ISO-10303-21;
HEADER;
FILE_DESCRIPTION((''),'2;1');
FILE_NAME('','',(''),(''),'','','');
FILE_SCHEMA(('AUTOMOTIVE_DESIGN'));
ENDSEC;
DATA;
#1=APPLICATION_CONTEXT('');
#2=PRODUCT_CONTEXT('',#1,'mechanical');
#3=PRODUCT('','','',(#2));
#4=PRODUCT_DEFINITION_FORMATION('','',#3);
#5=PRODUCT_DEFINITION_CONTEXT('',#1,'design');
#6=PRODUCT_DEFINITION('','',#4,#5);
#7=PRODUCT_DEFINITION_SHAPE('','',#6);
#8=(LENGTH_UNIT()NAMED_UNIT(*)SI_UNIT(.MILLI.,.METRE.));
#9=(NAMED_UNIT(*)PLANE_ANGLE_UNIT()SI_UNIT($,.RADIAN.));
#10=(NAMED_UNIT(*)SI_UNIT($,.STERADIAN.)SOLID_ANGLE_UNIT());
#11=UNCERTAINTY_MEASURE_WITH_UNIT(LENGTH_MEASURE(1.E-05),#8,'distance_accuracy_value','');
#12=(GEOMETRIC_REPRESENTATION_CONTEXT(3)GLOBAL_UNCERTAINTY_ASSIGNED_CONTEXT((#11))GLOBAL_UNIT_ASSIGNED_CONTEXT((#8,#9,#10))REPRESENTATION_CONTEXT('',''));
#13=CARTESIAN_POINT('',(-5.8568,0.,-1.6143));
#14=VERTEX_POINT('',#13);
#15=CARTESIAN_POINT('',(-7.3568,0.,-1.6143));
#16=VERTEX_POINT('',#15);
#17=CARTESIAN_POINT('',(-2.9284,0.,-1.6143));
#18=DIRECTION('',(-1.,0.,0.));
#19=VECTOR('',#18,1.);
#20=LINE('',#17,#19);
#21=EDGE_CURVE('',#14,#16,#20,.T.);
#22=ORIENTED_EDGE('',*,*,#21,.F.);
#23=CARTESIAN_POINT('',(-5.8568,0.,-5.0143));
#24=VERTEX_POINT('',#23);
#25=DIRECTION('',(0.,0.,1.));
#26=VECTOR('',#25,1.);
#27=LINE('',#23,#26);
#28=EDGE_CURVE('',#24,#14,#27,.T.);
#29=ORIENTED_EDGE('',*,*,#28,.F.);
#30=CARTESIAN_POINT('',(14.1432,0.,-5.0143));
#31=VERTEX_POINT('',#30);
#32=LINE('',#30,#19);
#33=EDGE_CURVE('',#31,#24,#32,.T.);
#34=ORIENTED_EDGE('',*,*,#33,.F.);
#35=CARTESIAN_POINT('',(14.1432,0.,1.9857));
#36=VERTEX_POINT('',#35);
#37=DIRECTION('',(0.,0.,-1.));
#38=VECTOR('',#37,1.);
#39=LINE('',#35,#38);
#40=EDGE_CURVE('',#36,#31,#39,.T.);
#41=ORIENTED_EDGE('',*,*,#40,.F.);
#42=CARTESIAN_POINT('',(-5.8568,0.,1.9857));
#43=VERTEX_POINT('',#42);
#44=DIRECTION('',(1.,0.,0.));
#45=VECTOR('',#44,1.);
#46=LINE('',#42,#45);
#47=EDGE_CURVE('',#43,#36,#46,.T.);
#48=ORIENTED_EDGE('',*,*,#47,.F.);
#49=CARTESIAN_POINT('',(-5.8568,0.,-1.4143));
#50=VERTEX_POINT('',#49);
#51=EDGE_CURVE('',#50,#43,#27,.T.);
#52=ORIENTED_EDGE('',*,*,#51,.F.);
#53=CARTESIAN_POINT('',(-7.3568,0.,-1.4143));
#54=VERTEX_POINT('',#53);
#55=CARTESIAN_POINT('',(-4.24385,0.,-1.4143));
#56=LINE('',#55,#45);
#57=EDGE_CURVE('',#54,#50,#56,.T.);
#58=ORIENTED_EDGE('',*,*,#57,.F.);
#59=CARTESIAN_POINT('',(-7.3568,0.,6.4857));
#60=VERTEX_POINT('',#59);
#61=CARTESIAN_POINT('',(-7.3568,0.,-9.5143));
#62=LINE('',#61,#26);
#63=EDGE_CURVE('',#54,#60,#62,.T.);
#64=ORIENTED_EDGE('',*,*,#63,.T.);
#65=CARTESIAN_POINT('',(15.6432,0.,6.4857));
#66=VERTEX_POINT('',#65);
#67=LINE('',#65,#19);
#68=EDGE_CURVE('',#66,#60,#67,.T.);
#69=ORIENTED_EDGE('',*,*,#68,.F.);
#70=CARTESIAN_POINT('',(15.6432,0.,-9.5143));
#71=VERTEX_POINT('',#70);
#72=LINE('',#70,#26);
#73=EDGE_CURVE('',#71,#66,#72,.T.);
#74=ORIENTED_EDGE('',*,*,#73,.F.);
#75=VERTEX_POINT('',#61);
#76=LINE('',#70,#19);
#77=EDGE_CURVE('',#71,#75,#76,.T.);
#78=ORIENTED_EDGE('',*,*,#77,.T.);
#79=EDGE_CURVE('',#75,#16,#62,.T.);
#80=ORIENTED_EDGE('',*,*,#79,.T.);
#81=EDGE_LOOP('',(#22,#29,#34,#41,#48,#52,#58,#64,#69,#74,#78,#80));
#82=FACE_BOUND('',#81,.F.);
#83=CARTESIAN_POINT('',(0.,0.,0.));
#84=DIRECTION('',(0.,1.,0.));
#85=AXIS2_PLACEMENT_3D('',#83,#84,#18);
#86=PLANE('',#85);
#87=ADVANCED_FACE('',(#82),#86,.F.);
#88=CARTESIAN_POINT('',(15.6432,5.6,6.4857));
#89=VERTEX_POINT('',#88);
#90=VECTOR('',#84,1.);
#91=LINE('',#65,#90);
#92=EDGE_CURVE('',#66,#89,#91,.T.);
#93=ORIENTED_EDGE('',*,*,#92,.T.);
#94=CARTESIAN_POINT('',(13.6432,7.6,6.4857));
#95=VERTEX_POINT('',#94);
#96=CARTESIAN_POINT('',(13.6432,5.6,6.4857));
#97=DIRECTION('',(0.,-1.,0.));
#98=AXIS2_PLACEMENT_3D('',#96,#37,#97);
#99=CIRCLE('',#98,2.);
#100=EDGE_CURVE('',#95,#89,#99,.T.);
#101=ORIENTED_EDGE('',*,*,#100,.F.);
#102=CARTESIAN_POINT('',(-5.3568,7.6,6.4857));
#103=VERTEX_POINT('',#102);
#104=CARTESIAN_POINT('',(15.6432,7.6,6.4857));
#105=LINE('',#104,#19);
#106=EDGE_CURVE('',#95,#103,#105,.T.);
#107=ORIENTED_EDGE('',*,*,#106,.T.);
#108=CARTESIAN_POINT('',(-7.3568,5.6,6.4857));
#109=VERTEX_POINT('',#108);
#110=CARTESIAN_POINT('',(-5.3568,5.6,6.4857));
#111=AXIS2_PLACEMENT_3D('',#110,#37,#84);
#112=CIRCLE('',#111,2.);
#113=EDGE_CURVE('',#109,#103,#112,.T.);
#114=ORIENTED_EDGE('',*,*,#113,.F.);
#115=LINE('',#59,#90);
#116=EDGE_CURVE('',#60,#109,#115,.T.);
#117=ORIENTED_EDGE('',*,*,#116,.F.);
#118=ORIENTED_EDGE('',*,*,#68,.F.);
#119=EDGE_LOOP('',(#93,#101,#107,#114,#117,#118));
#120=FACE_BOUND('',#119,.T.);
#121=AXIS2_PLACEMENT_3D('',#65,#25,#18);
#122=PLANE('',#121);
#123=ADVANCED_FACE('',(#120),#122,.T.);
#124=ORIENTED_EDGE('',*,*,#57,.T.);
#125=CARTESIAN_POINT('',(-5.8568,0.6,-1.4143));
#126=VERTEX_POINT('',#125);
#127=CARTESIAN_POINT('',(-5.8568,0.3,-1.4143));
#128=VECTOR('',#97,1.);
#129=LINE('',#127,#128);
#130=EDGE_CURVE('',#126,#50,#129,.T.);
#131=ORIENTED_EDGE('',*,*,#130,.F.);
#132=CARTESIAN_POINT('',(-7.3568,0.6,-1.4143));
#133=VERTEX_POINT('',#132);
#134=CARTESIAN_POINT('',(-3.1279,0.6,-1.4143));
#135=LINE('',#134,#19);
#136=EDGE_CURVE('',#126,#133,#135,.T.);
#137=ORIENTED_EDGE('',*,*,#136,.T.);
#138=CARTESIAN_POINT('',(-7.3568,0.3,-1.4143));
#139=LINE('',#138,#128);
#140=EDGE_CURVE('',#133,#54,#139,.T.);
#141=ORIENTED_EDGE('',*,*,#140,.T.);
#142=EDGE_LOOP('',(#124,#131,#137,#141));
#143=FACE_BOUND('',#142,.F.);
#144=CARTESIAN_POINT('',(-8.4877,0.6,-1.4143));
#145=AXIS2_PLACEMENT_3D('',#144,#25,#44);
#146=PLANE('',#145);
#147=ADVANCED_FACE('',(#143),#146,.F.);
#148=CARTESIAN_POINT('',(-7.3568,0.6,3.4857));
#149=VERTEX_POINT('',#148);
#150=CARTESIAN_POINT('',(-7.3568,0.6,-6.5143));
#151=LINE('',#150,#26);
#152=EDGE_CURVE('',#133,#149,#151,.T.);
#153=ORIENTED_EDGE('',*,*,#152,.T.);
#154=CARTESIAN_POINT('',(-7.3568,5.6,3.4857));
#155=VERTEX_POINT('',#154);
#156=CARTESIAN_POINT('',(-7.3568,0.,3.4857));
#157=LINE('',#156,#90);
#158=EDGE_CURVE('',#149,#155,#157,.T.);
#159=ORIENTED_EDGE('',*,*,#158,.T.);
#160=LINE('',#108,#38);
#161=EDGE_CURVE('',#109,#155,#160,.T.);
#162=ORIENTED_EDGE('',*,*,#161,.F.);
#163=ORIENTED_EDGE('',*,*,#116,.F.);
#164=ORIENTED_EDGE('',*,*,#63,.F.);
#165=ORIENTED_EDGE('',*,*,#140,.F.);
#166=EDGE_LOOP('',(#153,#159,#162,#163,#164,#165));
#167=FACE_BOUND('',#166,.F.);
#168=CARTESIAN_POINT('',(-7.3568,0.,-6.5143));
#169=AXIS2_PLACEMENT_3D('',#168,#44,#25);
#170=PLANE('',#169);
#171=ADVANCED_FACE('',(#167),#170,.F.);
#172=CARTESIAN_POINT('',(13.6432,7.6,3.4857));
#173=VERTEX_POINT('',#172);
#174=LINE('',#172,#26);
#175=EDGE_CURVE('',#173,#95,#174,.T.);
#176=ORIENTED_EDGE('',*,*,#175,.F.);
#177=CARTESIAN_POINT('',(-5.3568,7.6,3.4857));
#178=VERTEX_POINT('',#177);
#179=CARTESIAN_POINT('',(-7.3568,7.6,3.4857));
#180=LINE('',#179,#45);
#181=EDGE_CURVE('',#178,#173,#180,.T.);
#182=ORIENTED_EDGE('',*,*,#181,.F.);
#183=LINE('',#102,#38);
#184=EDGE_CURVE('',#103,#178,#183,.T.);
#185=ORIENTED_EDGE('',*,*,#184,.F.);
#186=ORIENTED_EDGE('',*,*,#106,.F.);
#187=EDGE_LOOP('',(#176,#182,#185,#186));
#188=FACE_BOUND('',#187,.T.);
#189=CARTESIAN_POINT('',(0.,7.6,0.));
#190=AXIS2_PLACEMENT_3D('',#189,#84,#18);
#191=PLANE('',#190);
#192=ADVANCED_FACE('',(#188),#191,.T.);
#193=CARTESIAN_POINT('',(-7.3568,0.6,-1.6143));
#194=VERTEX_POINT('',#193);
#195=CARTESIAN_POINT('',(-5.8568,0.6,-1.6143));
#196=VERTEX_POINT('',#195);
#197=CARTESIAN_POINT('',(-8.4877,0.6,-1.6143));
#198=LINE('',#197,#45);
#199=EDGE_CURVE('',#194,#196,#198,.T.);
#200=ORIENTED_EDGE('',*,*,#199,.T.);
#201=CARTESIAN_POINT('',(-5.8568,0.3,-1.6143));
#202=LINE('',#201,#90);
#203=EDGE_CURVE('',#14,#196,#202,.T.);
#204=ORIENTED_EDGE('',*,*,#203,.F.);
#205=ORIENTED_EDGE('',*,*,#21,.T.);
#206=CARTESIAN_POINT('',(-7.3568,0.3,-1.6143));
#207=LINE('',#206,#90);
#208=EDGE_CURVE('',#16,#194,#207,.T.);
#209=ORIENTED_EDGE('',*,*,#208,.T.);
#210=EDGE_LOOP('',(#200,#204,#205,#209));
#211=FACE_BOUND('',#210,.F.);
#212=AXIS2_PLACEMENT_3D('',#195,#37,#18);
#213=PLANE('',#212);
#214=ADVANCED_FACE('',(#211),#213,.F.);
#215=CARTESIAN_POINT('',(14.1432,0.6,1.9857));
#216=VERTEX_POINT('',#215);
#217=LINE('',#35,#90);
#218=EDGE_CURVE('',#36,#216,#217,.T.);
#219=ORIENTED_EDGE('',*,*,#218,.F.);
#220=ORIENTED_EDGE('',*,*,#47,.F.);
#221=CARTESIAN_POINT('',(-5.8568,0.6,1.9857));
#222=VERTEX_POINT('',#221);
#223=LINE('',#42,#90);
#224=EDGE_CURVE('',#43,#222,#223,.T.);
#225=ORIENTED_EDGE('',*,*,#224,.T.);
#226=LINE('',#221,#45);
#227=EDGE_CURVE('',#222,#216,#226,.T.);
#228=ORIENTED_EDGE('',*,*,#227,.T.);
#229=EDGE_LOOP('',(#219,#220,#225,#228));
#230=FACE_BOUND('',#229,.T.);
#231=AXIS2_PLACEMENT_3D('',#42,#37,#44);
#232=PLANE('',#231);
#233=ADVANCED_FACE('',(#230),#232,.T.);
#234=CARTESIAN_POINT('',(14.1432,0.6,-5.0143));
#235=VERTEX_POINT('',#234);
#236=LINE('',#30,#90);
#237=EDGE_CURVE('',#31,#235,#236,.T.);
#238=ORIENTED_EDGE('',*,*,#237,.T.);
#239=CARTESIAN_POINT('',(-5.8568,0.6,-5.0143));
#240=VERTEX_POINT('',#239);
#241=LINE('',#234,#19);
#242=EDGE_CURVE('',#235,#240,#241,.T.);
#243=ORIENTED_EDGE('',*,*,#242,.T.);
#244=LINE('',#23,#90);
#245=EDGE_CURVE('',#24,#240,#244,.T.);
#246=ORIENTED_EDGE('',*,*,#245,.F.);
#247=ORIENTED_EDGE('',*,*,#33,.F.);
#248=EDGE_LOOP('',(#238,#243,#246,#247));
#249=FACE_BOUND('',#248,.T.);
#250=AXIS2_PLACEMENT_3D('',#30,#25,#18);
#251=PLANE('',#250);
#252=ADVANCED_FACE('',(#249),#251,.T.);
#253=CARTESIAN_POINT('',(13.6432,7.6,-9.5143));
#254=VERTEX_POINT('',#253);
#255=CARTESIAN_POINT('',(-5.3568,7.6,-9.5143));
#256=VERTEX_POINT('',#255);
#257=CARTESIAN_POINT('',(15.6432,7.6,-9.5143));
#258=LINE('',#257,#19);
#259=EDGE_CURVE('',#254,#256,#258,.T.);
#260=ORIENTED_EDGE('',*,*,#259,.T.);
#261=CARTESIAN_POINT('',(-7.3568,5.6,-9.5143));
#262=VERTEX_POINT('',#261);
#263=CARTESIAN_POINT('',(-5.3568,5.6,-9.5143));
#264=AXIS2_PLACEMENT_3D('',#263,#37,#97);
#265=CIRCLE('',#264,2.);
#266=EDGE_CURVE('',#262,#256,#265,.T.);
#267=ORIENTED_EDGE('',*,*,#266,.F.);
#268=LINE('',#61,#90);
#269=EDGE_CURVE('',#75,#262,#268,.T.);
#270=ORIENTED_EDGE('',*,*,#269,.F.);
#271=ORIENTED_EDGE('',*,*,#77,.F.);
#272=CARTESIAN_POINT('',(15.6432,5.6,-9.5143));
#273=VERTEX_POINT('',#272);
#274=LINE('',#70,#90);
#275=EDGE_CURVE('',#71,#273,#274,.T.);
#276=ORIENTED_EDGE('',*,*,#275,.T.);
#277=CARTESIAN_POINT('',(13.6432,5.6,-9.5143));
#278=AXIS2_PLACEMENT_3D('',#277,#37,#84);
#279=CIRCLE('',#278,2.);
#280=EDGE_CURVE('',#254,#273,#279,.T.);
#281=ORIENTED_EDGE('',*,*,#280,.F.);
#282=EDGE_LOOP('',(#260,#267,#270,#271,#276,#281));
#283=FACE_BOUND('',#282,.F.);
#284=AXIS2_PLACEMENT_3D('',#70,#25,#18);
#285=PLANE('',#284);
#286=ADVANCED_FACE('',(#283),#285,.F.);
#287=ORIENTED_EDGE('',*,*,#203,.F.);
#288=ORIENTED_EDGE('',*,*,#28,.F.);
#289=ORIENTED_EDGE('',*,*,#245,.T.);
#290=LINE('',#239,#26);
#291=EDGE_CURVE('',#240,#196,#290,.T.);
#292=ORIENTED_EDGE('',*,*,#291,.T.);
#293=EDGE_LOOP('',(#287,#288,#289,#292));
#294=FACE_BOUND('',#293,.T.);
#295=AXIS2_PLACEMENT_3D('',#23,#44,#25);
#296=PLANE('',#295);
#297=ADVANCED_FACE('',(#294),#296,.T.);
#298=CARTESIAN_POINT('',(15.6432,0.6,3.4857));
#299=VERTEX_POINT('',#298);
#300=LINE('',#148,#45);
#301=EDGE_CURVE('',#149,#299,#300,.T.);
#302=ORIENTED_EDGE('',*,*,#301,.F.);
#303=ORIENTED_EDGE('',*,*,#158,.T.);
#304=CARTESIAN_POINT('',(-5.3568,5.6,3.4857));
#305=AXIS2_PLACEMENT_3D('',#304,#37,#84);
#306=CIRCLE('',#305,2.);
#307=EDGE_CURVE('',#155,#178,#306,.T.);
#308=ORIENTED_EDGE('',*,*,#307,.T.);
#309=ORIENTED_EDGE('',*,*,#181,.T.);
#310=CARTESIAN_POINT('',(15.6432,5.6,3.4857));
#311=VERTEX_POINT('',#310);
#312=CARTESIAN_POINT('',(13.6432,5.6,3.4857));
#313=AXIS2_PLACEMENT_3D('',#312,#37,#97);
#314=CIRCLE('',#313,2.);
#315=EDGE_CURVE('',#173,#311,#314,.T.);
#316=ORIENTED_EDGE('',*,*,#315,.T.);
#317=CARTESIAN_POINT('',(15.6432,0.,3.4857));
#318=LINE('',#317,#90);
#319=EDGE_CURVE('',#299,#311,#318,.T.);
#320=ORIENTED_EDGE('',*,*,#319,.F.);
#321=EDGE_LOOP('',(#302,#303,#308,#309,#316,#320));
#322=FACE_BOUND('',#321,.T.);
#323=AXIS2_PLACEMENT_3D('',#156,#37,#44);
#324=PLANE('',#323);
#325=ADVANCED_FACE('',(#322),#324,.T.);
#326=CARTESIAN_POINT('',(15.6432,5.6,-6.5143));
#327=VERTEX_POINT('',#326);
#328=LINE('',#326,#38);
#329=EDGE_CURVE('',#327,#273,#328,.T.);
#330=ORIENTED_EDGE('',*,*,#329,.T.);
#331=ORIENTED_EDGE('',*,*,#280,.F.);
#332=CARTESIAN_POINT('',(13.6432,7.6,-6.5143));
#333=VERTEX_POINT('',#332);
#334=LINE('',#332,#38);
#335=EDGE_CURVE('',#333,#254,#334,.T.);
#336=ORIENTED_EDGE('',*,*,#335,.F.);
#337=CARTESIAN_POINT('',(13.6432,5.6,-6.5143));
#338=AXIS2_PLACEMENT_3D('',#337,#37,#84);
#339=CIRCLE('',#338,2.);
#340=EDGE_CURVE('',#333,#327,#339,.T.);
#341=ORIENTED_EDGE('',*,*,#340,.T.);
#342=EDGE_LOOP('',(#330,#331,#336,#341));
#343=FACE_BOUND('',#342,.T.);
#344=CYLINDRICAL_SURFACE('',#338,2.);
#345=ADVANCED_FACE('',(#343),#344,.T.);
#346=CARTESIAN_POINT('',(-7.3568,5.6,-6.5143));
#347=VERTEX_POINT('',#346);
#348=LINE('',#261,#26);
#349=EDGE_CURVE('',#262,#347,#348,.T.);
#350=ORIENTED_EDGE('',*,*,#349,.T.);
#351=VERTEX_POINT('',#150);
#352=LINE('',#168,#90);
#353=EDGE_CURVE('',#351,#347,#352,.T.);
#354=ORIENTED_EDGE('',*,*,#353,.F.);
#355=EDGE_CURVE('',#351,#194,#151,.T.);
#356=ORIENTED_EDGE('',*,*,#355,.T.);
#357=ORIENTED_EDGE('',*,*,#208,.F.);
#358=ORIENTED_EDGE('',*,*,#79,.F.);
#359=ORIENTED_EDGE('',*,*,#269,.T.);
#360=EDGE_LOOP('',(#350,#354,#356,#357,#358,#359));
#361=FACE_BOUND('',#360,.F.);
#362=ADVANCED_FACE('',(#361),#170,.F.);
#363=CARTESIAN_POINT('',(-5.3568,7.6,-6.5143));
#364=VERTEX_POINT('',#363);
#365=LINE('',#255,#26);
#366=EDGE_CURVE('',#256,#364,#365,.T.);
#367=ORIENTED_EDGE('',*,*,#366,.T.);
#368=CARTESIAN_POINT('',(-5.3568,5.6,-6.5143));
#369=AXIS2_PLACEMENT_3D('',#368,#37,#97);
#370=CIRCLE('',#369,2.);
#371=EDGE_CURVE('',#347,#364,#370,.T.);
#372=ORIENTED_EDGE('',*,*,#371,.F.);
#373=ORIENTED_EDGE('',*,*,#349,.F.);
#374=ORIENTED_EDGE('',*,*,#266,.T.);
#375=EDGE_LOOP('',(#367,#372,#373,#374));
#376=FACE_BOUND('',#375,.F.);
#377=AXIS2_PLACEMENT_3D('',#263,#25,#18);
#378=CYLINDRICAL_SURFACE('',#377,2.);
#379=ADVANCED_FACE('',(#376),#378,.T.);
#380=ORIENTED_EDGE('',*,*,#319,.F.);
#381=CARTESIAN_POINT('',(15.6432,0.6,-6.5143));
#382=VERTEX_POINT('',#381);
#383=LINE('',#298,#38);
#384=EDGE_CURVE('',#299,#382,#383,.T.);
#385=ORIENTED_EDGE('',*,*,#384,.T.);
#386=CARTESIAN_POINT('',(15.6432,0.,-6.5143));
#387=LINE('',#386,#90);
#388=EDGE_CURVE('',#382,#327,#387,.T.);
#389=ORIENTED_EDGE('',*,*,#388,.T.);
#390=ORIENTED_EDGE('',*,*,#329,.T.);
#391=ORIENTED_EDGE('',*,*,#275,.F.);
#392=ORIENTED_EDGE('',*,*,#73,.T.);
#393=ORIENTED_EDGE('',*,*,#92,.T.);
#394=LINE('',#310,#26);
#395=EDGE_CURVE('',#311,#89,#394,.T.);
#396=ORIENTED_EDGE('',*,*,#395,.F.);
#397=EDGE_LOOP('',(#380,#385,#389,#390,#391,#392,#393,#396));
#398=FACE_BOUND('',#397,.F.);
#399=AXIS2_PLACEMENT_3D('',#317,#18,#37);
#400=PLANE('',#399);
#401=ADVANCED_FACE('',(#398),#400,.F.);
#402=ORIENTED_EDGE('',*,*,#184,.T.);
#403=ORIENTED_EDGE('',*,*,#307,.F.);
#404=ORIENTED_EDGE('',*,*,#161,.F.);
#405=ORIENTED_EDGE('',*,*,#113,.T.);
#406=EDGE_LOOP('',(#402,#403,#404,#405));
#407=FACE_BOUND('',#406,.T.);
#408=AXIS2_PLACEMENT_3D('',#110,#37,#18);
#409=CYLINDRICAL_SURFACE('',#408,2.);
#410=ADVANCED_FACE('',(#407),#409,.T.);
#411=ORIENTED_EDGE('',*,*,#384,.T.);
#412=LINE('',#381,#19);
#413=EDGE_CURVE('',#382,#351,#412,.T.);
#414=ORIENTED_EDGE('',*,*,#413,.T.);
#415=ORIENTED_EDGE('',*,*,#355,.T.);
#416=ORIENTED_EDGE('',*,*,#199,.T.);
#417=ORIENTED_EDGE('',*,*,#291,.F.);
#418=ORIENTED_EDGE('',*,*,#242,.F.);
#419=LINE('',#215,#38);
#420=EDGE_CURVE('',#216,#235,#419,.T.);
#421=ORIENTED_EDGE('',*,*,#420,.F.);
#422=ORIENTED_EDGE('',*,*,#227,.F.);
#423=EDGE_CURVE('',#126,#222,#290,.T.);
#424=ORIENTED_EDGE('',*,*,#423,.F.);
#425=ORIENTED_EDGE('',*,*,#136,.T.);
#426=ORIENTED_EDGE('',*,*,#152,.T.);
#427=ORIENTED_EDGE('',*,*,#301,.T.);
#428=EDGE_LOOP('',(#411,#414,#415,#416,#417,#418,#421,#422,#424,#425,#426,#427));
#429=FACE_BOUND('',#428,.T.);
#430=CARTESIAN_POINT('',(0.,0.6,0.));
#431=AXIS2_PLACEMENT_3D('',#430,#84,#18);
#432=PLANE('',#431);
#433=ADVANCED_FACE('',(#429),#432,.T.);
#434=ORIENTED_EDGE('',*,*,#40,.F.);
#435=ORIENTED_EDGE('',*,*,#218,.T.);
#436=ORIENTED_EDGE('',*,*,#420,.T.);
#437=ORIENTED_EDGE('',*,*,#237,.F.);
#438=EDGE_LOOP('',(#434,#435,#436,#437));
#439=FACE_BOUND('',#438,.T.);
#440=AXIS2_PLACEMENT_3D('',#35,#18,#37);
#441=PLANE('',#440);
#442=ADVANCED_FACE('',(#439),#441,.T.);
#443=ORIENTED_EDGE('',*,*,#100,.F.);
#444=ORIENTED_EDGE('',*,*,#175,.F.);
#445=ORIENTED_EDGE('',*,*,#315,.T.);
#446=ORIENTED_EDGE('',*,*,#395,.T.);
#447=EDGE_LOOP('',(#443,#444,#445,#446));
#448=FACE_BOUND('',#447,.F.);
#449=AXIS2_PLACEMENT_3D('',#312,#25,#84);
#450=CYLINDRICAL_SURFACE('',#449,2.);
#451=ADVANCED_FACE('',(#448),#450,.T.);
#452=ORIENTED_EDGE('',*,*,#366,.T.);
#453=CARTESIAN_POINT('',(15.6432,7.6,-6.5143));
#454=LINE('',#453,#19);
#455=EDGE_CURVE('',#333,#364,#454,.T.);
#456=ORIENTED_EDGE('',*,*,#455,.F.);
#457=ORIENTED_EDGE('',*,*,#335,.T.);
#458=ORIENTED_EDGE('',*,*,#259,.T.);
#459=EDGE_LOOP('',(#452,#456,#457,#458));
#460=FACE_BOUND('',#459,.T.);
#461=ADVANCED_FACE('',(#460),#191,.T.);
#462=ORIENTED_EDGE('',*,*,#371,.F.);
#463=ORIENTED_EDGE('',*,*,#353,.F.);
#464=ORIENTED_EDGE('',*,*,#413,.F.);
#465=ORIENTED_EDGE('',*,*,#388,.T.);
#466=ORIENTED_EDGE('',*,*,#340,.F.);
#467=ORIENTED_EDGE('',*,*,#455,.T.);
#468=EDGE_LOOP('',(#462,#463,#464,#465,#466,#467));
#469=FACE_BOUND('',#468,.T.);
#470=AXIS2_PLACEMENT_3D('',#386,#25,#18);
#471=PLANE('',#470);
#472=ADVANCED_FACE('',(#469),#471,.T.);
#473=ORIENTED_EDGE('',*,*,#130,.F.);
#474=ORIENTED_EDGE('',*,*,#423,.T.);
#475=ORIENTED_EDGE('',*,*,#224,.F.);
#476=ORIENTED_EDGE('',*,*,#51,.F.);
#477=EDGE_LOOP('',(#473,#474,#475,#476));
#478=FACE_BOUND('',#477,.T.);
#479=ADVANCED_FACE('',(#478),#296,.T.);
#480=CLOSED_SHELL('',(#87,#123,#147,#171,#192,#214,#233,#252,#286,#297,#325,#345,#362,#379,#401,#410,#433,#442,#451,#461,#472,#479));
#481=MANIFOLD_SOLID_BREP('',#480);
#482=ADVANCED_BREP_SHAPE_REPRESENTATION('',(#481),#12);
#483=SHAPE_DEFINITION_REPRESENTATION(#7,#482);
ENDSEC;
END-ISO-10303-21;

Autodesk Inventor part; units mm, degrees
ref_plane "YZ Plane" through (0, 0, 0) normal (1, 0, 0) x (0, 1, 0)
ref_plane "XZ Plane" through (0, 0, 0) normal (0, 1, 0) x (-1, 0, 0)
ref_plane "XY Plane" through (0, 0, 0) normal (0, 0, 1) x (1, 0, 0)
sketch "Sketch1" plane through (0, 0, 0) normal (0, 1, 0) x (-1, 0, 0)
  line L0 (5.8568, 1.9857) -> (-14.1432, 1.9857)
  line L1 (-14.1432, 1.9857) -> (-14.1432, -5.0143)
  line L2 (-14.1432, -5.0143) -> (5.8568, -5.0143)
  line L3 (5.8568, -5.0143) -> (5.8568, 1.9857)
  line L4 (7.3568, 3.4857) -> (-15.6432, 3.4857)
  line L5 (-15.6432, 3.4857) -> (-15.6432, -6.5143)
  line L6 (-15.6432, -6.5143) -> (7.3568, -6.5143)
  line L7 (7.3568, -6.5143) -> (7.3568, 3.4857)
  line L8 (7.3568, 3.4857) -> (-15.6432, 3.4857)
  line L9 (-15.6432, 3.4857) -> (-15.6432, 6.4857)
  line L10 (-15.6432, 6.4857) -> (7.3568, 6.4857)
  line L11 (7.3568, 6.4857) -> (7.3568, 3.4857)
  line L12 (7.3568, -6.5143) -> (-15.6432, -6.5143)
  line L13 (-15.6432, -6.5143) -> (-15.6432, -9.5143)
  line L14 (-15.6432, -9.5143) -> (7.3568, -9.5143)
  line L15 (7.3568, -9.5143) -> (7.3568, -6.5143)
  point P0 (0, 0)
  dimension "d0" = 20
  dimension "d1" = 7
  dimension "d2" = 1.5
  dimension "d3" = 3
  dimension "d4" = 3
extrude "Extrusion1" add sketch "Sketch1" along normal blind 0.6 contours L7 L6 L5 L4
extrude "Extrusion2" add sketch "Sketch1" along normal blind 7.6 contours L4 L9 L10 L11 | L15 L14 L13 L6
fillet "Fillet1" radius 2 4 edges at (-7.3568, 7.6, 4.9857) (15.6432, 7.6, -8.0143) (15.6432, 7.6, 4.9857) (-7.3568, 7.6, -8.0143)
sketch "Sketch2" plane through (0, 0.6, 0) normal (0, 1, 0) x (1, 0, 0)
  line L0 (-8.4877, 1.4143) -> (-3.1279, 1.4143)
  line L1 (-3.1279, 1.4143) -> (-3.1279, 1.6143)
  line L2 (-3.1279, 1.6143) -> (-8.4877, 1.6143)
  line L3 (-8.4877, 1.6143) -> (-8.4877, 1.4143)
  line L4 (-5.8568, -1.9857) -> (-5.8568, 5.0143) projected
  point P0 (0, 0)
  point P1 (-5.8568, 1.5143)
  point P2 (-8.4877, 1.5143)
  dimension "d10" = 0.2
extrude "Extrusion3" cut sketch "Sketch2" against normal through all
properties part number "oslona_wlacznika"
